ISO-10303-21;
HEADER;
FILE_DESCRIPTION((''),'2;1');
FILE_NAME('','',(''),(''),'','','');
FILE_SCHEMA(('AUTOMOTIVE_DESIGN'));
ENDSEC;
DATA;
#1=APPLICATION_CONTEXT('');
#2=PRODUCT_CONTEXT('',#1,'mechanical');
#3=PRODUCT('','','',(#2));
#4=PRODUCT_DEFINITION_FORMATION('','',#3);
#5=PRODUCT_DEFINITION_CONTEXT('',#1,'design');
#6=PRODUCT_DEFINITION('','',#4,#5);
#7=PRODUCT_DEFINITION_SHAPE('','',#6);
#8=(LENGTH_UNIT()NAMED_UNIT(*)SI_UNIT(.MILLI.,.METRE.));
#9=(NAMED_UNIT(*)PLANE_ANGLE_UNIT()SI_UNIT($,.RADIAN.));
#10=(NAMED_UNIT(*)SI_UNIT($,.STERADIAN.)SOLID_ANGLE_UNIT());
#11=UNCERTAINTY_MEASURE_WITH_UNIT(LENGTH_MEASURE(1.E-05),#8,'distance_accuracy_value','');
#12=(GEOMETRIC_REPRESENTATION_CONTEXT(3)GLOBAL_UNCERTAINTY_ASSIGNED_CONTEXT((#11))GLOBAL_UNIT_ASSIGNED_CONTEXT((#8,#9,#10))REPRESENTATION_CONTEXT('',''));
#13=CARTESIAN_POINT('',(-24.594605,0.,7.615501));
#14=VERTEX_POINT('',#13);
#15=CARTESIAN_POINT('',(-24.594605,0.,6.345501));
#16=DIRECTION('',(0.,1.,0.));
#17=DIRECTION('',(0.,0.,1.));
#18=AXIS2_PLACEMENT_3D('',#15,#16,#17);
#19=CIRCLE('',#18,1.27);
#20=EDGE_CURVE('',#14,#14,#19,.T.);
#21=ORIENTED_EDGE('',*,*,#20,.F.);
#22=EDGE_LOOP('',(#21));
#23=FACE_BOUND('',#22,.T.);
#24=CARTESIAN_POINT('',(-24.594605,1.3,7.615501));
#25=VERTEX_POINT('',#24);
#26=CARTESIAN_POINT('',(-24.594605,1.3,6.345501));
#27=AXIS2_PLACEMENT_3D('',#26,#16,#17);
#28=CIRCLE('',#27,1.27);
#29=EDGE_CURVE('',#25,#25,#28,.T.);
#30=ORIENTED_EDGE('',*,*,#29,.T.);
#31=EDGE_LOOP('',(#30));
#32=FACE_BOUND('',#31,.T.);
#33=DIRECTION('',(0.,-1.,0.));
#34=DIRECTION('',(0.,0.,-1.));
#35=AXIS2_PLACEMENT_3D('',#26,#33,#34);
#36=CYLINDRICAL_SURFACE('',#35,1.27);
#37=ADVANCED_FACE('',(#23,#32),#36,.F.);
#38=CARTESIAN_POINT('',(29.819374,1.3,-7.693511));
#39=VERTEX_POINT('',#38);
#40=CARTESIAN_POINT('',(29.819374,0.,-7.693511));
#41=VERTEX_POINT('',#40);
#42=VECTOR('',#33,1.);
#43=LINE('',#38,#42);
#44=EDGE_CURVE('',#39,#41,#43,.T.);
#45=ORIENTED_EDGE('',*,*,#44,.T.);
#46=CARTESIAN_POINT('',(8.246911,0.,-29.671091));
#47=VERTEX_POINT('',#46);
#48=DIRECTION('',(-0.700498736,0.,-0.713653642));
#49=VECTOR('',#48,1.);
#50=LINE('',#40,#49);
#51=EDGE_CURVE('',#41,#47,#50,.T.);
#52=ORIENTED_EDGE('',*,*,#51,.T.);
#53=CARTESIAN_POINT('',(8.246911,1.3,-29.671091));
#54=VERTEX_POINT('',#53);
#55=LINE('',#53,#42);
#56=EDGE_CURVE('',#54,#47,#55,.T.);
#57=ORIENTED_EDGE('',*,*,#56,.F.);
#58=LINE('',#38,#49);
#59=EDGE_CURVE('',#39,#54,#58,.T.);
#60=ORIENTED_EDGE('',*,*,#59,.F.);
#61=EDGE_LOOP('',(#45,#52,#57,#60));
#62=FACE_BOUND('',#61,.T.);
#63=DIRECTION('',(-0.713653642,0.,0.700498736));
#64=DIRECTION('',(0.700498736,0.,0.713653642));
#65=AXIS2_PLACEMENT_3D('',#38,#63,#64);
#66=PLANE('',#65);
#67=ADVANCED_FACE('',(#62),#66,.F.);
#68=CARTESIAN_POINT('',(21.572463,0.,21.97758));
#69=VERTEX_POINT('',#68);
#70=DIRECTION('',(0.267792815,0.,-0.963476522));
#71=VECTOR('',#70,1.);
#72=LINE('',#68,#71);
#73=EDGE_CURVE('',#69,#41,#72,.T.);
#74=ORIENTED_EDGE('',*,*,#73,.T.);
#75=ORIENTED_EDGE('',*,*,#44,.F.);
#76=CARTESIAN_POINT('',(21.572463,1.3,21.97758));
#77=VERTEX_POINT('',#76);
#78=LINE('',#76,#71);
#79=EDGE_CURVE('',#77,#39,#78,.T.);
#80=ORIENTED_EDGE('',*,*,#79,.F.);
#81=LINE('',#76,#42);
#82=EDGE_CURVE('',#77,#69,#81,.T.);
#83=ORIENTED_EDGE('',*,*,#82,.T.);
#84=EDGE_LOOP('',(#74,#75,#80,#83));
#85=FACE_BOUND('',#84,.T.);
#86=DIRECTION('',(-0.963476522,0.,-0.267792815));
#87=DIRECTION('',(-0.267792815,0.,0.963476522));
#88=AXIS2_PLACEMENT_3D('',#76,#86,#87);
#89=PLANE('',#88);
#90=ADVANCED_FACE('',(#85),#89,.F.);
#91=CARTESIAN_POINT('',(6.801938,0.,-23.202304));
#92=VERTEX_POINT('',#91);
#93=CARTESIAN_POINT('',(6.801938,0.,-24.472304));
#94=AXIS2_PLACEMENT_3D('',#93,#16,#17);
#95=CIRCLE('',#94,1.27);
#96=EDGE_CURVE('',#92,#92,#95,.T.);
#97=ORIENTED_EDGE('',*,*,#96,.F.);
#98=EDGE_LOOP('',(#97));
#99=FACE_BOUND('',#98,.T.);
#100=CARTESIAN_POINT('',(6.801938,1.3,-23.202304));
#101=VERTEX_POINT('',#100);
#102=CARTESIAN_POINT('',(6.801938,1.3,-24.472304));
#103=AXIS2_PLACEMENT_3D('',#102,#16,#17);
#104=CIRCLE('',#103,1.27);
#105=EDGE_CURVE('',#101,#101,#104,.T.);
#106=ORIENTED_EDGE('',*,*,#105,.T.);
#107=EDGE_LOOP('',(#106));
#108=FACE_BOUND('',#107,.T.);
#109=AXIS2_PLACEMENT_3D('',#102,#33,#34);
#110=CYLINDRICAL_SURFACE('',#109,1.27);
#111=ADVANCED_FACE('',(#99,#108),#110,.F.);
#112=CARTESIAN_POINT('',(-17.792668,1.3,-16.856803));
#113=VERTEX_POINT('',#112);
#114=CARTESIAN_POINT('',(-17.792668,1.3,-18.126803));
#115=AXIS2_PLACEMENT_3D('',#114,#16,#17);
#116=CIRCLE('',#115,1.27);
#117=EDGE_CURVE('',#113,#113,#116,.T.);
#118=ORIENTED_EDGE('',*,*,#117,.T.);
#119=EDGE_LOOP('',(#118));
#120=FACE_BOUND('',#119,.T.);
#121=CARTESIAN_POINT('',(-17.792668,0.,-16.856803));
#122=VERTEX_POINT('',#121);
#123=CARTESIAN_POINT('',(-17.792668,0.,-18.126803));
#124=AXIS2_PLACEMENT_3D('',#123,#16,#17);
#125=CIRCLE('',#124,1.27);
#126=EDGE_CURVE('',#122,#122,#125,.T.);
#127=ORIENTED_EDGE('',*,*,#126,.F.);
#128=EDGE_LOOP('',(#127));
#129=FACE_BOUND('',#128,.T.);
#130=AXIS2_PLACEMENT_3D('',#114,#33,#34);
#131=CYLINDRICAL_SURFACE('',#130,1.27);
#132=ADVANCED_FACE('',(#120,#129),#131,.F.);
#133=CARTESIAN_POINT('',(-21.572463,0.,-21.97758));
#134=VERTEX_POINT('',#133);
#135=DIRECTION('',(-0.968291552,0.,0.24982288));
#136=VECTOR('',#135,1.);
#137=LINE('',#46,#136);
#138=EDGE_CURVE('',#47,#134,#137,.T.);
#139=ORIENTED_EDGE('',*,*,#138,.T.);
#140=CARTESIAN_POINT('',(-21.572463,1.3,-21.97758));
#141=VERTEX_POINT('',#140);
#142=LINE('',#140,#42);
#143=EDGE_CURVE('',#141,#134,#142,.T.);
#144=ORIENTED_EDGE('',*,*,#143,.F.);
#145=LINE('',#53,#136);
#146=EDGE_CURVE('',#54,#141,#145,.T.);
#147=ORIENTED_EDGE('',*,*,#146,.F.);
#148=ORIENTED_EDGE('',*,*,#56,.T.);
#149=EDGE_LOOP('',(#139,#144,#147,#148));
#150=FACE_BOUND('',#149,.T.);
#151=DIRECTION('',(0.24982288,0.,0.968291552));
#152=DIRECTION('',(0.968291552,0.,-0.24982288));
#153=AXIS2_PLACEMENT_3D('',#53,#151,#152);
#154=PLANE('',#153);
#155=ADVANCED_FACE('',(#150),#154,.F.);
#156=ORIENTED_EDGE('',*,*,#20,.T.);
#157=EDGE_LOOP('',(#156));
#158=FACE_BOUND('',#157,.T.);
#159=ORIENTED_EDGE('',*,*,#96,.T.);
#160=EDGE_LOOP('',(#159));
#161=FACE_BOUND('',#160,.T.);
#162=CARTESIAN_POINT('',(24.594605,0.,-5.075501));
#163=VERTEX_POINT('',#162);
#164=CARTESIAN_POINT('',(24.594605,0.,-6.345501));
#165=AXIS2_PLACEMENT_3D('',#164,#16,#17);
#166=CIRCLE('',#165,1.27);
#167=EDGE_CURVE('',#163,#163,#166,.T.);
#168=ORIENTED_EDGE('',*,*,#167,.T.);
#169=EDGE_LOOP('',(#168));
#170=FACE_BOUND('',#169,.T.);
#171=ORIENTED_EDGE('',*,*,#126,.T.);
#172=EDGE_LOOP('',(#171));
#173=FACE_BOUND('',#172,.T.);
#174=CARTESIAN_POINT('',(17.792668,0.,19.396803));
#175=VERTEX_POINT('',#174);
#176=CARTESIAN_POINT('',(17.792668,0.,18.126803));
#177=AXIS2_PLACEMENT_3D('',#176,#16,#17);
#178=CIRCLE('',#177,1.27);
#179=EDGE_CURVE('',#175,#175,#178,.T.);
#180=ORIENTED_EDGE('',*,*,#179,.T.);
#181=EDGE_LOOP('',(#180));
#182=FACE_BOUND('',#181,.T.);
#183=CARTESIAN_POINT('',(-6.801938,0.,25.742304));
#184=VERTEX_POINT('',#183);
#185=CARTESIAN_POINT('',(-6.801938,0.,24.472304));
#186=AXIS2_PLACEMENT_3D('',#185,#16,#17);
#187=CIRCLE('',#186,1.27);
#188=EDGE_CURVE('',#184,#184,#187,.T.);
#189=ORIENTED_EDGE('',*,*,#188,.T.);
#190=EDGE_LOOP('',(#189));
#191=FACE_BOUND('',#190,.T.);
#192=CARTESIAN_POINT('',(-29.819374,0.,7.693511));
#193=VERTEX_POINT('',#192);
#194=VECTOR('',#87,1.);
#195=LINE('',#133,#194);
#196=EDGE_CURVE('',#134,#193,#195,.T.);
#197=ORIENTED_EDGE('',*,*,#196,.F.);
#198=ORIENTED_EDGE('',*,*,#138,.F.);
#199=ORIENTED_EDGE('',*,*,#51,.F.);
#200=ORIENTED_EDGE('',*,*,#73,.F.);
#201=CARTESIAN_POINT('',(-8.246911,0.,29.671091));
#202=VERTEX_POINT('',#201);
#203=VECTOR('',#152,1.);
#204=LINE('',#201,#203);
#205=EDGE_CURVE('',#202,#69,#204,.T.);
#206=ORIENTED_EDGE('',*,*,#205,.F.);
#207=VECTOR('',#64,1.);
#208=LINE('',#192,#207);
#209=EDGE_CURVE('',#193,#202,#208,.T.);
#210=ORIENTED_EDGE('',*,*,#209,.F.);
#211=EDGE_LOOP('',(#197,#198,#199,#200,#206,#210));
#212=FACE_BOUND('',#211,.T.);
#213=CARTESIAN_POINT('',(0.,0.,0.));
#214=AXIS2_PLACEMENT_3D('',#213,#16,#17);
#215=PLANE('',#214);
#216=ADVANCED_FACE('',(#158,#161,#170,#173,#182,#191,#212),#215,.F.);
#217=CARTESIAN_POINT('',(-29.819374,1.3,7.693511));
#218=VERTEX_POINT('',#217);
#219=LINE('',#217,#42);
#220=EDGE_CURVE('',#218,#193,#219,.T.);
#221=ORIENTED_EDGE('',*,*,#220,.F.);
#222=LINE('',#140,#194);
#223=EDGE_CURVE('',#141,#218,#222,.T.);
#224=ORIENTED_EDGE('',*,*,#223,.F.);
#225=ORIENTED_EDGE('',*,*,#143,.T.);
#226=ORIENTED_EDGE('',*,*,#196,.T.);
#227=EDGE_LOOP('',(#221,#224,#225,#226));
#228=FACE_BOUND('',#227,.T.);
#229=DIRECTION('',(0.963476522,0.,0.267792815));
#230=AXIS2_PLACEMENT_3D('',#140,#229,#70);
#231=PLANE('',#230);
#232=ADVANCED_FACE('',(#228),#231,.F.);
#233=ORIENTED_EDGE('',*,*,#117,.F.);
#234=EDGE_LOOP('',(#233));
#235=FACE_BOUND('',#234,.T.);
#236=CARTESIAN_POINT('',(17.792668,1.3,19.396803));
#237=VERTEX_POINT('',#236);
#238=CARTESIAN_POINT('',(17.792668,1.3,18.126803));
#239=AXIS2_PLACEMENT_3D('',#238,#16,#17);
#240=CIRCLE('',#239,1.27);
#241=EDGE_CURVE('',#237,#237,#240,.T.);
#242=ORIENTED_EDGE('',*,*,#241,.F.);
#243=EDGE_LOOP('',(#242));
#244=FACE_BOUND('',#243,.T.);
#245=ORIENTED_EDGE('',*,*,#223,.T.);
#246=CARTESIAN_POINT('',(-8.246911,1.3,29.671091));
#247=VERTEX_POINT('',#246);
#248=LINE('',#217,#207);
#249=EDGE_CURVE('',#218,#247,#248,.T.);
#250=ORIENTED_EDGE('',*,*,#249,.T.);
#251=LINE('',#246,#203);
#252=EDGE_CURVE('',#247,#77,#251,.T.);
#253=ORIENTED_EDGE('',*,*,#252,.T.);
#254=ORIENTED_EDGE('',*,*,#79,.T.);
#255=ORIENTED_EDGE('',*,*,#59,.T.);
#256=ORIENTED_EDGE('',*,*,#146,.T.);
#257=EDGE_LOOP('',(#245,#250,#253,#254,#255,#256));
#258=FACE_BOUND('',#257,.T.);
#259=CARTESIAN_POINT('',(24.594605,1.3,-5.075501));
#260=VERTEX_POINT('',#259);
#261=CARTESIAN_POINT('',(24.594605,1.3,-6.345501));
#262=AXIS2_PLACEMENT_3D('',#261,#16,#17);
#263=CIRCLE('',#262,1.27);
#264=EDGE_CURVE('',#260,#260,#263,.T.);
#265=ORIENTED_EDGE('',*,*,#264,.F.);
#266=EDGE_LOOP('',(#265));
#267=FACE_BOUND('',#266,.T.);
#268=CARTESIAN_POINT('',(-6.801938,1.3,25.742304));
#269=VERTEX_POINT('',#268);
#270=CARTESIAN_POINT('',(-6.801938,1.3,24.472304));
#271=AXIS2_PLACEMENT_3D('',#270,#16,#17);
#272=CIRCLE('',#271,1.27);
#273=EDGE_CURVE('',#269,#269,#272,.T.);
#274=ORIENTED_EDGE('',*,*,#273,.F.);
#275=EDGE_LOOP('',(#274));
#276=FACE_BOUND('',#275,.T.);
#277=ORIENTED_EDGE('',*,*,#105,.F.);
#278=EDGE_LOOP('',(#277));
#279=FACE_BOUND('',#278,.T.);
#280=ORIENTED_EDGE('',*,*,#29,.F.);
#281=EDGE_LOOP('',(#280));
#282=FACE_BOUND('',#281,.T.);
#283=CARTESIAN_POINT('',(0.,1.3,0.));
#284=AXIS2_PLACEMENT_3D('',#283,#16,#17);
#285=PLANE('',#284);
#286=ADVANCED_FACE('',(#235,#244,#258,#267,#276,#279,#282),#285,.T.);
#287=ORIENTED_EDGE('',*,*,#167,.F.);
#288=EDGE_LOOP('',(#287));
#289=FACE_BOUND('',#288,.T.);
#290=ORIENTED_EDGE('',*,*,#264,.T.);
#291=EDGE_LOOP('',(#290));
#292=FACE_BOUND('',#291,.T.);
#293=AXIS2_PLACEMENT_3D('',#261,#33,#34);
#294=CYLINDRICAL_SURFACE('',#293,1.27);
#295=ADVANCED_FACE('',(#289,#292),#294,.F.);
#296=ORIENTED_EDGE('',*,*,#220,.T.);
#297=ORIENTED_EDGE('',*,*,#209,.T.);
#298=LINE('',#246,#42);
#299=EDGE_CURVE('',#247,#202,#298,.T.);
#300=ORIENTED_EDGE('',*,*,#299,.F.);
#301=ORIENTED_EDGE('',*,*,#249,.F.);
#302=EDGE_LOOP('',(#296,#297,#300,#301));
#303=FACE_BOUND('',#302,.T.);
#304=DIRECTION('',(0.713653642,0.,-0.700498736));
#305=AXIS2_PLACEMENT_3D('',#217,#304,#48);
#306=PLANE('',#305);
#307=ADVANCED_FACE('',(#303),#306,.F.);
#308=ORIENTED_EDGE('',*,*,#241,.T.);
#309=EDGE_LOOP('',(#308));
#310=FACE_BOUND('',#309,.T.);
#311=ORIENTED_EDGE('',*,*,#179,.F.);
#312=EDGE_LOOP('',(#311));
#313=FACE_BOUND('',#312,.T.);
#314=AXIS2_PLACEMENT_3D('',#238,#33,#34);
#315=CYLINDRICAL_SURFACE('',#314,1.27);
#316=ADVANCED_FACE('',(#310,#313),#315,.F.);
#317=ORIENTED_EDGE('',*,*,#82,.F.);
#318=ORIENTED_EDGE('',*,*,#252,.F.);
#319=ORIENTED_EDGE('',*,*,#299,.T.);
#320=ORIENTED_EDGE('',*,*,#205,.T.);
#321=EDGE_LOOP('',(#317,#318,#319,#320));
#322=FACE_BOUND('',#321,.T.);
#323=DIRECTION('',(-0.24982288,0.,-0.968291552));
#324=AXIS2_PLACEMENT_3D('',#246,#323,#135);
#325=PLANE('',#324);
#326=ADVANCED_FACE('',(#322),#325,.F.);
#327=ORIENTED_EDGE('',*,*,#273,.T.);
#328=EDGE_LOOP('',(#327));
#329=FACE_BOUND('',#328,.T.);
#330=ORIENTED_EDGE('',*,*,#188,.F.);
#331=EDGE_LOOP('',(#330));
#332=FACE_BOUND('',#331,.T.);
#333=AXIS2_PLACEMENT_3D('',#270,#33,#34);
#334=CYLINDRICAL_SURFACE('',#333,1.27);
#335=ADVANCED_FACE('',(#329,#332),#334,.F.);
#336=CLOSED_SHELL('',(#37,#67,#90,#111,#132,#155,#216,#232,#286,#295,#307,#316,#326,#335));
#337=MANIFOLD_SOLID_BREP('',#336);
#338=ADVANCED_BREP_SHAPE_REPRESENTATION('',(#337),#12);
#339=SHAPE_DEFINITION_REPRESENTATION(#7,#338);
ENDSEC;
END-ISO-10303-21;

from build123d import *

# Parameters (mm, degrees)
BOSS_EXTRUDE1_DEPTH = 1.3
SKETCH2_R           = 1.27
CUT_EXTRUDE2_DEPTH  = 43.086324906


with BuildPart() as part:
    # Sketch1 → Boss-Extrude1 (new body)
    with BuildSketch(Plane(origin=(0, 0, 0), x_dir=(1, 0, 0), z_dir=(0, 1, 0))):
        Polygon((21.57246336, -21.977580043), (29.819374311, 7.693511271), (8.246910951, 29.671091314), (-21.57246336, 21.977580043), (-29.819374311, -7.693511271), (-8.246910951, -29.671091314), align=None)
    extrude(amount=BOSS_EXTRUDE1_DEPTH)

    # Sketch2 → Cut-Extrude2 (cut, through all)
    with BuildSketch(Plane(origin=(0, 0, 0), x_dir=(1, 0, 0), z_dir=(0, 1, 0))):
        with Locations(Location((6.801937511, 24.472303653, 0), (0, 0, 270))):
            Circle(SKETCH2_R)
        with Locations(Location((24.594605408, 6.345501147, 0), (0, 0, 270))):
            Circle(SKETCH2_R)
        with Locations(Location((17.792667898, -18.126802506, 0), (0, 0, 270))):
            Circle(SKETCH2_R)
        with Locations(Location((-6.801937511, -24.472303653, 0), (0, 0, 270))):
            Circle(SKETCH2_R)
        with Locations(Location((-24.594605408, -6.345501147, 0), (0, 0, 270))):
            Circle(SKETCH2_R)
        with Locations(Location((-17.792667898, 18.126802506, 0), (0, 0, 270))):
            Circle(SKETCH2_R)
    extrude(amount=CUT_EXTRUDE2_DEPTH, mode=Mode.SUBTRACT)


solid = part.part
